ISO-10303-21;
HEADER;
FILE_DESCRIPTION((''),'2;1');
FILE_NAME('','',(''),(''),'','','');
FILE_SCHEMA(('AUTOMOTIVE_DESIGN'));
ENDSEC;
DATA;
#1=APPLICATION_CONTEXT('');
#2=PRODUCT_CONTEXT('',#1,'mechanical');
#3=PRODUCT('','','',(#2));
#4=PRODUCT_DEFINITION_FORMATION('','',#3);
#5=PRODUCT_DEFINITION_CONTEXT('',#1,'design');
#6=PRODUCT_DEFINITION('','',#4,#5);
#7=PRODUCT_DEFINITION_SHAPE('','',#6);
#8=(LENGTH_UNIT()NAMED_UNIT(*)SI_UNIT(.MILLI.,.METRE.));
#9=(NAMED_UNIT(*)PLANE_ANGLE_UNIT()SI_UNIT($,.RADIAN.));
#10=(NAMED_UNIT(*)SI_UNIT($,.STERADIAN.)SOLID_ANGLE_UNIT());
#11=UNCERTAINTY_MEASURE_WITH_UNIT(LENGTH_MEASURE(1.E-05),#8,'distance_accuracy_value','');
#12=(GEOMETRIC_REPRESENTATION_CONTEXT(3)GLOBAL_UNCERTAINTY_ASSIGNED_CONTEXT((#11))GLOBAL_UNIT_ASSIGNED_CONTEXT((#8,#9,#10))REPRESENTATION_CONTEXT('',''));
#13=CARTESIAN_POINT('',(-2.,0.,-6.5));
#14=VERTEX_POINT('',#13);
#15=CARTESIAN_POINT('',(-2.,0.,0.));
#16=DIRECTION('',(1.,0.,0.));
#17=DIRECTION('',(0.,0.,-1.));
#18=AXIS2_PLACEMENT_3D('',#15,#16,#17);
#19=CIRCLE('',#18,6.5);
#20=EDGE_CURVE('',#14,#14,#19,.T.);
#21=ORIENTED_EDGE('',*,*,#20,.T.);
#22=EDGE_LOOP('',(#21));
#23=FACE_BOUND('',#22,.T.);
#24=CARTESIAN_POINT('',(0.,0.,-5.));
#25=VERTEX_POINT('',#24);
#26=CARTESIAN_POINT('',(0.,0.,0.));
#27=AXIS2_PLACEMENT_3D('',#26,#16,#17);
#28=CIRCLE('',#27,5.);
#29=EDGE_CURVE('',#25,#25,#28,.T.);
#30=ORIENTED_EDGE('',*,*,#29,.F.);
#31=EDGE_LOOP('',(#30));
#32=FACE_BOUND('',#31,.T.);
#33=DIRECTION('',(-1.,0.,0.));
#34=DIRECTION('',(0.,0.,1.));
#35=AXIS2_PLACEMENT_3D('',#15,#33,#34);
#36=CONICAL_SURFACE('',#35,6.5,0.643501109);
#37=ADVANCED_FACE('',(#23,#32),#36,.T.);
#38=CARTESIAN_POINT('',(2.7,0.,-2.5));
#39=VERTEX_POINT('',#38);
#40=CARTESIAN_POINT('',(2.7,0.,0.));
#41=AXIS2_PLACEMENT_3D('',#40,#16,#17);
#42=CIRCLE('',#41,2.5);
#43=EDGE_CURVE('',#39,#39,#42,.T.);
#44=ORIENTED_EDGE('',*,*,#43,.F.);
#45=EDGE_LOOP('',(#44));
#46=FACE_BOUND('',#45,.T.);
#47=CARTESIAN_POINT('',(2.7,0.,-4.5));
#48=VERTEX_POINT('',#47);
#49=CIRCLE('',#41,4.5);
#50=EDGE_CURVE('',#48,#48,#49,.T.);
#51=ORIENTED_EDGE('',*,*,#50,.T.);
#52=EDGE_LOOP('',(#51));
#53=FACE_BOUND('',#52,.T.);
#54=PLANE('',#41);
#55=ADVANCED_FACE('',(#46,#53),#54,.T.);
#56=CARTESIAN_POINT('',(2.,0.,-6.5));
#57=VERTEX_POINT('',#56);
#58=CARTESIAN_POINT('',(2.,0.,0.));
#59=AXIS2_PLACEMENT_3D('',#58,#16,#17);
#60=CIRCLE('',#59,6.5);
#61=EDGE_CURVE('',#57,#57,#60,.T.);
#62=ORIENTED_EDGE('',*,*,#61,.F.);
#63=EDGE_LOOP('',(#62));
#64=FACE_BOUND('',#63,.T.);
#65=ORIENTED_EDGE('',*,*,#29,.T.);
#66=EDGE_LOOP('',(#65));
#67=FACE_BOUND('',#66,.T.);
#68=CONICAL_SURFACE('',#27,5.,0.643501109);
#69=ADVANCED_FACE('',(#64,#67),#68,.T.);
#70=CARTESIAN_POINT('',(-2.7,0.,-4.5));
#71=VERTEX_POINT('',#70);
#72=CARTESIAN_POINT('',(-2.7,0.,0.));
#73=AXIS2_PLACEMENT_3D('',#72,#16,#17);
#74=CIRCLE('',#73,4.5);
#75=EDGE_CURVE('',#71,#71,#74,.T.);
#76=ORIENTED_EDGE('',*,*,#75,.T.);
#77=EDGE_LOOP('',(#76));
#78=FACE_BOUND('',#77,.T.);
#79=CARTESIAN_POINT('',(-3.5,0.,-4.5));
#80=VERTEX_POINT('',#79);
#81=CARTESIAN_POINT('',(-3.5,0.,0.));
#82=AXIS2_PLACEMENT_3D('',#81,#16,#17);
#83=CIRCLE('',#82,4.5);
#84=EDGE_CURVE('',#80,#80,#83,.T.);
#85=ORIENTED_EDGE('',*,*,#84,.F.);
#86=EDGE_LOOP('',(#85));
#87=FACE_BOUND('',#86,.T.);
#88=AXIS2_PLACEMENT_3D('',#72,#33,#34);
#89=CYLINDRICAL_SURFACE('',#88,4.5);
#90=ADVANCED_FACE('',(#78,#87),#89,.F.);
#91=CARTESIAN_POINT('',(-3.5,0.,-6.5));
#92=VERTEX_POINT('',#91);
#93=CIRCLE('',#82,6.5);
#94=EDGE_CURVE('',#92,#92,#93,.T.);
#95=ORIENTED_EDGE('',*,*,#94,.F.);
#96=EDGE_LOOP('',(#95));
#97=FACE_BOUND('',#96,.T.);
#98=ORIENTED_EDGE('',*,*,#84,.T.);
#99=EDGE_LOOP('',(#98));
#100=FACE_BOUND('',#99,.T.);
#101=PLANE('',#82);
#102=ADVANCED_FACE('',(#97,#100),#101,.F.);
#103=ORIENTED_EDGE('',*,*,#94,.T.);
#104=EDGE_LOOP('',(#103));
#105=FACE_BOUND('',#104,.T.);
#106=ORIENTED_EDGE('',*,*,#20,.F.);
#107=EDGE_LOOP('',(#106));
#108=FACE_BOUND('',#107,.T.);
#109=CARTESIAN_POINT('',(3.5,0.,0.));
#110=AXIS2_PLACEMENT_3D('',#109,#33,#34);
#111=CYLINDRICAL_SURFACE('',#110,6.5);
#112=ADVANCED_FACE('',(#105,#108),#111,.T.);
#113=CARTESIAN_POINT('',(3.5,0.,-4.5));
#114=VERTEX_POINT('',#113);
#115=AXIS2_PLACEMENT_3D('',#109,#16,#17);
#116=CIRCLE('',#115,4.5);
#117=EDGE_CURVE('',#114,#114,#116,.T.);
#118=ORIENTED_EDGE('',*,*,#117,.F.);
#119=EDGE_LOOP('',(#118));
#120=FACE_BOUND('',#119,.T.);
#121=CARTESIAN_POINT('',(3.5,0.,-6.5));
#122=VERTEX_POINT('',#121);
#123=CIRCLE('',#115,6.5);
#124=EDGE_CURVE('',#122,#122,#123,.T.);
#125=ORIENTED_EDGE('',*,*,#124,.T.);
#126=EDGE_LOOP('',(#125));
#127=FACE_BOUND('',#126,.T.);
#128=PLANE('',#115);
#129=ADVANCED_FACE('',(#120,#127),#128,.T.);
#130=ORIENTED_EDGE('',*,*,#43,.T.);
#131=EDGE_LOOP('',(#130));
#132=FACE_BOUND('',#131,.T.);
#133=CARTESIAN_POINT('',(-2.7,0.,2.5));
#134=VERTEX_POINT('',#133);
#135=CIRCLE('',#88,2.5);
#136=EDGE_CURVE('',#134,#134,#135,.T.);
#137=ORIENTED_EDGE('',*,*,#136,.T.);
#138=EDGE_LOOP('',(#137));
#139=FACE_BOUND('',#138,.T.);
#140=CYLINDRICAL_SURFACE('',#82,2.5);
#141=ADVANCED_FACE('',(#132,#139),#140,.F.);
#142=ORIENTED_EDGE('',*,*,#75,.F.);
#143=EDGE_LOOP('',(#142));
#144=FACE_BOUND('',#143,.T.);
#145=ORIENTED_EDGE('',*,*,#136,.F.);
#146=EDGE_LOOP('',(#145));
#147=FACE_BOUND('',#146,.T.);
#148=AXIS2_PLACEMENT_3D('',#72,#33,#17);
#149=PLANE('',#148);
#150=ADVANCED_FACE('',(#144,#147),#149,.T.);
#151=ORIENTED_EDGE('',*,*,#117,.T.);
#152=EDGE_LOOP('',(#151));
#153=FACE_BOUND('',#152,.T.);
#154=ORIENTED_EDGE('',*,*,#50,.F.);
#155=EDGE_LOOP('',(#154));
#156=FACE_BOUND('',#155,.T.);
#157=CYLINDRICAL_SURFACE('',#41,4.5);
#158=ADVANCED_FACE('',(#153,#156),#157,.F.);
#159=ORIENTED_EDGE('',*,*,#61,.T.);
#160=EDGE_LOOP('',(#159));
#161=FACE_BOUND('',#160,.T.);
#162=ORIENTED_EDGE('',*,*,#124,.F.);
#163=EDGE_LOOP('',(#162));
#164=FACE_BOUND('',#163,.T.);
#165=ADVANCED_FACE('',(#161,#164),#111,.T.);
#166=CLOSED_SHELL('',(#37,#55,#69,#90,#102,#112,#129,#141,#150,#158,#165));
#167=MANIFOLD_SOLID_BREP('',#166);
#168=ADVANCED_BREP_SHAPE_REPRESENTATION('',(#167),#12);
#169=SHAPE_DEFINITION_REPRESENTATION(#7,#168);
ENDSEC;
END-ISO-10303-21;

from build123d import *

# Parameters (mm, degrees)
SKETCH1_R               = 6.5
BOSS_EXTRUDE1_DEPTH     = 3.5
SKETCH4_R               = 4.5
CUT_EXTRUDE1_DEPTH      = 0.8
CUT_EXTRUDE2_DEPTH      = 10.836157786
CUT_EXTRUDE2_DEPTH_BACK = 10.836157786
SKETCH5_R               = 2.5


with BuildPart() as part:
    # Sketch1 → Boss-Extrude1 (new, symmetric)
    with BuildSketch(Plane(origin=(0, 0, 0), x_dir=(0, 0, -1), z_dir=(1, 0, 0))):
        Circle(SKETCH1_R)
    extrude(amount=BOSS_EXTRUDE1_DEPTH, both=True)

    # Sketch2 → Cut-Revolve1 (revolve, cut)
    with BuildSketch(Plane.XY):
        Polygon((-2, 6.5), (0, 5), (2, 6.5), align=None)
    revolve(axis=Axis((3.5, 0, 0), (-1, 0, 0)), mode=Mode.SUBTRACT)

    # Sketch4 → Cut-Extrude1 (cut)
    with BuildSketch(Plane(origin=(3.5, 0, 0), x_dir=(0, 0, -1), z_dir=(1, 0, 0))):
        Circle(SKETCH4_R)
    cut_extrude1 = extrude(amount=-CUT_EXTRUDE1_DEPTH, mode=Mode.SUBTRACT)

    # Mirror1: Cut-Extrude1 across plane
    add(cut_extrude1.mirror(Plane(origin=(0, 0, 0), x_dir=(0, 0, 1), z_dir=(1, 0, 0))), mode=Mode.SUBTRACT)

    # Sketch5 → Cut-Extrude2 (cut, two sides: drawn at the far end of the back side and taken through both)
    with BuildSketch(Plane(origin=(0, 0, 0), x_dir=(0, 0, -1), z_dir=(1, 0, 0)).offset(-CUT_EXTRUDE2_DEPTH_BACK)):
        Circle(SKETCH5_R)
    extrude(amount=CUT_EXTRUDE2_DEPTH + CUT_EXTRUDE2_DEPTH_BACK, mode=Mode.SUBTRACT)


solid = part.part
